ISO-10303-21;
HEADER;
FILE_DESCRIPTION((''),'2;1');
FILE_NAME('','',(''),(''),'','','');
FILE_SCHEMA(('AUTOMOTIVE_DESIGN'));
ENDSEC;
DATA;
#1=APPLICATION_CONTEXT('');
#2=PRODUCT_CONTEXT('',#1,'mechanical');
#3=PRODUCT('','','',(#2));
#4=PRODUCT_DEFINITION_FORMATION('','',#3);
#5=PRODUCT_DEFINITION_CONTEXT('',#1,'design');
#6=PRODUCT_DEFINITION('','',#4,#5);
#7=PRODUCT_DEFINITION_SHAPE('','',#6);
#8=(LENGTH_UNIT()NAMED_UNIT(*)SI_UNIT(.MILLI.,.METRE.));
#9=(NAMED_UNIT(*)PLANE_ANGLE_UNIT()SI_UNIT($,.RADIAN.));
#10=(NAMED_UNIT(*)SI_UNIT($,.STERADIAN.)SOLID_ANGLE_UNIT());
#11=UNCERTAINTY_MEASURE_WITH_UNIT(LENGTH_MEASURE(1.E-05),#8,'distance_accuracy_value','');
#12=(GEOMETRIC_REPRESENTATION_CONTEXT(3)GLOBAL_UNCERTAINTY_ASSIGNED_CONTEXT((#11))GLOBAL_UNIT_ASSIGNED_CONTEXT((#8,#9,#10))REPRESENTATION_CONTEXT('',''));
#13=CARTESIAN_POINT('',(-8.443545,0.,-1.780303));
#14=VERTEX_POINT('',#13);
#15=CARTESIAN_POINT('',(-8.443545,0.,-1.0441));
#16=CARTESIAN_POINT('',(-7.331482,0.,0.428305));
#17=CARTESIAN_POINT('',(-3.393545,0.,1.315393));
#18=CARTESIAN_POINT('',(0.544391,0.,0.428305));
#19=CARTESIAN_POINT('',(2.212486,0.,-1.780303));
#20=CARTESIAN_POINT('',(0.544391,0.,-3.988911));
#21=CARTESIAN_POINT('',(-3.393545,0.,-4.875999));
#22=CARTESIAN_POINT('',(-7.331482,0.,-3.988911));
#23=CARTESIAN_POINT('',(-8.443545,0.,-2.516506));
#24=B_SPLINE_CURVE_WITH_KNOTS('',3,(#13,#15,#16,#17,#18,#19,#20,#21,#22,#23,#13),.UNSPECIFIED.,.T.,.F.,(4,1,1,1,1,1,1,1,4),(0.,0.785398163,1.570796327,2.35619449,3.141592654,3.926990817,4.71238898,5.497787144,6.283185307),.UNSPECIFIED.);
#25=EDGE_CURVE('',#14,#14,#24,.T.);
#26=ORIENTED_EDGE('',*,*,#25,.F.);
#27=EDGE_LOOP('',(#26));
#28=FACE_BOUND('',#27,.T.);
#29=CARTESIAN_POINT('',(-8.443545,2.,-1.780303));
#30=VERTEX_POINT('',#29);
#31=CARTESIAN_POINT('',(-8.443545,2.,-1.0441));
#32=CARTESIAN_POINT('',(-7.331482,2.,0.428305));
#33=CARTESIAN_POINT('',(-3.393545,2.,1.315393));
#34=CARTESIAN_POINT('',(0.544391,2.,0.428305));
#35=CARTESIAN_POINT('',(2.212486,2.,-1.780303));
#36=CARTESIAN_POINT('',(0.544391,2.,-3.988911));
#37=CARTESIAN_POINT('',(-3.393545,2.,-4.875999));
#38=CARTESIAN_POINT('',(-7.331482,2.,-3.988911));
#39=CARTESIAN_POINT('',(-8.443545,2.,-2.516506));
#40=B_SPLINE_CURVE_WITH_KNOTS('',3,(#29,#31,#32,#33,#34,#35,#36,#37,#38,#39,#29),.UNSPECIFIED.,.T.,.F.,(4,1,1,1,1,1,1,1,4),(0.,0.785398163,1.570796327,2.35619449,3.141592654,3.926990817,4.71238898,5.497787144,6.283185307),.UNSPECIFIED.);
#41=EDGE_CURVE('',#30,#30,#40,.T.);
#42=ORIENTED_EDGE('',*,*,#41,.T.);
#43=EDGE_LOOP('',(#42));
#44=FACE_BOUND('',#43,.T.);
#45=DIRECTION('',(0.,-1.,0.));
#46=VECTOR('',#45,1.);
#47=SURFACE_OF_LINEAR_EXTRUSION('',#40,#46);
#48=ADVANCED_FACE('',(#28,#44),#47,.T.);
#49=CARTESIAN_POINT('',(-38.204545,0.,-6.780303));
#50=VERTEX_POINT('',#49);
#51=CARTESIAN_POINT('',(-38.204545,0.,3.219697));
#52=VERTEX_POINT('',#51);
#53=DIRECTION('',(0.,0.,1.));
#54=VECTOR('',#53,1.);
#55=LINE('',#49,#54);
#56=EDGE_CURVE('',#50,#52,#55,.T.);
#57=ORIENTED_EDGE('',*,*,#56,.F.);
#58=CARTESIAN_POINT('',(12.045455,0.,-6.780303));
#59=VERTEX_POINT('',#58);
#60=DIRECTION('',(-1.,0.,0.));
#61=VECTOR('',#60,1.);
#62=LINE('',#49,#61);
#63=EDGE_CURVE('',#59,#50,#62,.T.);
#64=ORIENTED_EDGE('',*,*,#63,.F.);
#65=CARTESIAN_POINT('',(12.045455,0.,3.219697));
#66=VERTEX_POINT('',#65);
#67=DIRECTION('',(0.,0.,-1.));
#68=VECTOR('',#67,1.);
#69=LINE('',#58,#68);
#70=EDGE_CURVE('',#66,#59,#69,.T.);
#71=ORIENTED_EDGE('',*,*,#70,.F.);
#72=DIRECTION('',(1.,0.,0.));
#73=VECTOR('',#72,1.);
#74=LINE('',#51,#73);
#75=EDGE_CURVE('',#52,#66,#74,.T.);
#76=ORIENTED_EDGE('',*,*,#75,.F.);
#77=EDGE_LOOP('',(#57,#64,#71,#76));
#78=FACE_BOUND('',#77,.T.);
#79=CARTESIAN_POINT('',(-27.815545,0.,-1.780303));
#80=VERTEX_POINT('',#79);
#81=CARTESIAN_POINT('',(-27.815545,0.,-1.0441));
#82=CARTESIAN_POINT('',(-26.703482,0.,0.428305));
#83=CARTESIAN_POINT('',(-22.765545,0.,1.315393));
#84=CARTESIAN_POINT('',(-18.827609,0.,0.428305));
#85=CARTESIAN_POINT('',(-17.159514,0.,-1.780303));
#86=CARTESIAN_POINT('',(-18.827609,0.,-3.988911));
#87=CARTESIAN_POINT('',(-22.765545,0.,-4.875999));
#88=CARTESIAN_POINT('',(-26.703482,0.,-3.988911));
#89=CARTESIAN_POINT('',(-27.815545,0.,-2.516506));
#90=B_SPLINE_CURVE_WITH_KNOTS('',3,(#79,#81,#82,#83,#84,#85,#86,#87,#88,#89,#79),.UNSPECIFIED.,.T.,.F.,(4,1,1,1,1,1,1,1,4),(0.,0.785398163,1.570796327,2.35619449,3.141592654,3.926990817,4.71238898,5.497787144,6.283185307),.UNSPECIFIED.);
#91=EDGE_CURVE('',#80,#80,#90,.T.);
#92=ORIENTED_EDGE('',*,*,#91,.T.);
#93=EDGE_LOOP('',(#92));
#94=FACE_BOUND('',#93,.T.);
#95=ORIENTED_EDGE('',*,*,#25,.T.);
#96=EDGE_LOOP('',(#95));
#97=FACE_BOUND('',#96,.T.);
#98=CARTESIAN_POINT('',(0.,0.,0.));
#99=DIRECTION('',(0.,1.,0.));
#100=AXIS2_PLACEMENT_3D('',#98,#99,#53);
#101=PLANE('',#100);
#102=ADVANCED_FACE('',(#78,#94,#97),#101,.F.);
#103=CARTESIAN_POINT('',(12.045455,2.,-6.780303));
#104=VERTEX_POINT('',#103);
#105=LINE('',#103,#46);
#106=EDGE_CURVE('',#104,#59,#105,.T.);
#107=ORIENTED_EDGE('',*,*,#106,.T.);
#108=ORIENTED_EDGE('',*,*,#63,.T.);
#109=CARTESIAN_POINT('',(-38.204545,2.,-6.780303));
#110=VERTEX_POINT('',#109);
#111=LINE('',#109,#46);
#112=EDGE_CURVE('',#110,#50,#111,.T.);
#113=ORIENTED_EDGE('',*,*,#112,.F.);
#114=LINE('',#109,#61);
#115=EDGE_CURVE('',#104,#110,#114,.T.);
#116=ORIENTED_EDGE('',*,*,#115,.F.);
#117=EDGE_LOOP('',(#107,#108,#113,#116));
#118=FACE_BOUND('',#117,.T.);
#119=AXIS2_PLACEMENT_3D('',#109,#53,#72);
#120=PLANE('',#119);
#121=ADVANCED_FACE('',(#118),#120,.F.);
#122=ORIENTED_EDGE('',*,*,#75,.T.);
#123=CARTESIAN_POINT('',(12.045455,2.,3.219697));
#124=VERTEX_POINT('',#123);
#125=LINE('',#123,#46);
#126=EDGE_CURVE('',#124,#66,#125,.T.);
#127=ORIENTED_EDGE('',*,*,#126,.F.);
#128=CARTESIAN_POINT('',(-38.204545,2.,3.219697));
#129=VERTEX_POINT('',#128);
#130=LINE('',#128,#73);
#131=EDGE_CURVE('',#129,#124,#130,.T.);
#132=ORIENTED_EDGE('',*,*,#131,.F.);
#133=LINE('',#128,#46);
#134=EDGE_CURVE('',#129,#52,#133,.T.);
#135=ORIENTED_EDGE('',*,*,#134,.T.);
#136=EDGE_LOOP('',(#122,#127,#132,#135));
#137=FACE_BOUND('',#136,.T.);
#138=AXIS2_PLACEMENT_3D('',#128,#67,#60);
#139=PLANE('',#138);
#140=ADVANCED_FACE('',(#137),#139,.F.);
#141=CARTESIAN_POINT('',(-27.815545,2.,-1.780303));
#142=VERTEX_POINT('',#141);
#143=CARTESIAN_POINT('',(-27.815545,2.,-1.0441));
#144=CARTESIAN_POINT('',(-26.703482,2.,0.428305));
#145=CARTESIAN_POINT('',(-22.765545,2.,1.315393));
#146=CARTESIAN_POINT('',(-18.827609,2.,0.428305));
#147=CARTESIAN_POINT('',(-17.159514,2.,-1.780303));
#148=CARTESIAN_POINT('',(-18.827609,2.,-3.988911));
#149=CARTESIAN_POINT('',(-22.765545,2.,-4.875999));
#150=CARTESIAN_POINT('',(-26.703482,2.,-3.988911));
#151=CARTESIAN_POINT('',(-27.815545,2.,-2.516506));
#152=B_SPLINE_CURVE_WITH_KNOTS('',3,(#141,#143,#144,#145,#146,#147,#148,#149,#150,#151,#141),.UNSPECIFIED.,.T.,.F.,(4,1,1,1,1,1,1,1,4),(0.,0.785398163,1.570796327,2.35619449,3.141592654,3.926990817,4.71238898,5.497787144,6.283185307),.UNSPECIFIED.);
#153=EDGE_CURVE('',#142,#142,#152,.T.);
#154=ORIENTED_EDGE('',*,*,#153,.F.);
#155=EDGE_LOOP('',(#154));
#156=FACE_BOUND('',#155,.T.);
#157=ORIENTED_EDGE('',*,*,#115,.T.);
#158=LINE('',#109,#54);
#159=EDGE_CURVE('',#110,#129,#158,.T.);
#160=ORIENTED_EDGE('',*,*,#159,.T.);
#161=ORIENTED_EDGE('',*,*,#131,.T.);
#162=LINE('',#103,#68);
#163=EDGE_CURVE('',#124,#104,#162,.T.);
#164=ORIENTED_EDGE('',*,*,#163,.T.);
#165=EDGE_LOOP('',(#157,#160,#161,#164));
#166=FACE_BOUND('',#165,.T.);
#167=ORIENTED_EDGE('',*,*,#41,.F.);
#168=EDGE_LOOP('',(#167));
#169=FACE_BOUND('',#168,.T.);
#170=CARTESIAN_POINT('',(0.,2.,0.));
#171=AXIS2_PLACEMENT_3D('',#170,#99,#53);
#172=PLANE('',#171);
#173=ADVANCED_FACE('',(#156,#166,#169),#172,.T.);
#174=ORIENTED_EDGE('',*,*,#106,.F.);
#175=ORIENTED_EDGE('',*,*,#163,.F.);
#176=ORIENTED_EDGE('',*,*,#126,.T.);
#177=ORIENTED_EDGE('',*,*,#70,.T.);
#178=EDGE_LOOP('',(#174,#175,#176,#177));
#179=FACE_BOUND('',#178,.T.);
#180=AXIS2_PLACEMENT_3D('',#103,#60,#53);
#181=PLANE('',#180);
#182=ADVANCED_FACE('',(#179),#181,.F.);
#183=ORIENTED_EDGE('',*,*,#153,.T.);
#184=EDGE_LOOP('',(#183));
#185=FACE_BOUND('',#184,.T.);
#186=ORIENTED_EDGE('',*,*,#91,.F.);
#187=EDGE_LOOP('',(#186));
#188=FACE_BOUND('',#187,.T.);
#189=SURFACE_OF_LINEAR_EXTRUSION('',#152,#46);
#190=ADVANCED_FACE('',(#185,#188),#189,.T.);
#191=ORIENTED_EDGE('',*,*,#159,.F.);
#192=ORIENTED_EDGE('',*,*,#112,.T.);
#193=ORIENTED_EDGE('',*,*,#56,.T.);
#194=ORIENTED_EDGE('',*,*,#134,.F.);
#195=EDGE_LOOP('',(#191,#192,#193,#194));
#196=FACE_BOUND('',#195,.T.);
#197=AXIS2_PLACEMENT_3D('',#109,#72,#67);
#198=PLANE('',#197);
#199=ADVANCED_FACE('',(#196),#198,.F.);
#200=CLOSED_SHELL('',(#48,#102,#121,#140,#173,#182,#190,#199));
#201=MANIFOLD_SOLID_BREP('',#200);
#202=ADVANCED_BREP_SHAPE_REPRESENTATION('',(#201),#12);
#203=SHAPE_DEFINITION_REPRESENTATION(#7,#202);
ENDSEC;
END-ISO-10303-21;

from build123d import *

# Parameters (mm, degrees)
SKETCH1_W           = 50.25
SKETCH1_H           = 10
BOSS_EXTRUDE1_DEPTH = 2


with BuildPart() as part:
    # Sketch1 → Boss-Extrude1 (new body)
    with BuildSketch(Plane(origin=(0, 0, 0), x_dir=(1, 0, 0), z_dir=(0, 1, 0))):
        with Locations((-13.079545455, 1.78030303)):
            Rectangle(SKETCH1_W, SKETCH1_H)
        with BuildLine():
            add(Edge.make_bspline(
                [(-27.815545455, 1.78030303), (-27.815545455, 1.044100491), (-26.703482329, -0.428304587), (-22.765545455, -1.315393161), (-18.82760858, -0.428304587), (-17.159513892, 1.78030303), (-18.82760858, 3.988910648), (-22.765545455, 4.875999221), (-26.703482329, 3.988910648), (-27.815545455, 2.51650557), (-27.815545455, 1.78030303)],
                knots=[0, 0, 0, 0, 0.785398163, 1.570796327, 2.35619449, 3.141592654, 3.926990817, 4.71238898, 5.497787144, 6.283185307, 6.283185307, 6.283185307, 6.283185307], degree=3))
        make_face(mode=Mode.SUBTRACT)
        with BuildLine():
            add(Edge.make_bspline(
                [(-8.443545455, 1.78030303), (-8.443545455, 1.044100491), (-7.331482329, -0.428304587), (-3.393545455, -1.315393161), (0.54439142, -0.428304587), (2.212486108, 1.78030303), (0.54439142, 3.988910648), (-3.393545455, 4.875999221), (-7.331482329, 3.988910648), (-8.443545455, 2.51650557), (-8.443545455, 1.78030303)],
                knots=[0, 0, 0, 0, 0.785398163, 1.570796327, 2.35619449, 3.141592654, 3.926990817, 4.71238898, 5.497787144, 6.283185307, 6.283185307, 6.283185307, 6.283185307], degree=3))
        make_face(mode=Mode.SUBTRACT)
    extrude(amount=BOSS_EXTRUDE1_DEPTH)


solid = part.part
